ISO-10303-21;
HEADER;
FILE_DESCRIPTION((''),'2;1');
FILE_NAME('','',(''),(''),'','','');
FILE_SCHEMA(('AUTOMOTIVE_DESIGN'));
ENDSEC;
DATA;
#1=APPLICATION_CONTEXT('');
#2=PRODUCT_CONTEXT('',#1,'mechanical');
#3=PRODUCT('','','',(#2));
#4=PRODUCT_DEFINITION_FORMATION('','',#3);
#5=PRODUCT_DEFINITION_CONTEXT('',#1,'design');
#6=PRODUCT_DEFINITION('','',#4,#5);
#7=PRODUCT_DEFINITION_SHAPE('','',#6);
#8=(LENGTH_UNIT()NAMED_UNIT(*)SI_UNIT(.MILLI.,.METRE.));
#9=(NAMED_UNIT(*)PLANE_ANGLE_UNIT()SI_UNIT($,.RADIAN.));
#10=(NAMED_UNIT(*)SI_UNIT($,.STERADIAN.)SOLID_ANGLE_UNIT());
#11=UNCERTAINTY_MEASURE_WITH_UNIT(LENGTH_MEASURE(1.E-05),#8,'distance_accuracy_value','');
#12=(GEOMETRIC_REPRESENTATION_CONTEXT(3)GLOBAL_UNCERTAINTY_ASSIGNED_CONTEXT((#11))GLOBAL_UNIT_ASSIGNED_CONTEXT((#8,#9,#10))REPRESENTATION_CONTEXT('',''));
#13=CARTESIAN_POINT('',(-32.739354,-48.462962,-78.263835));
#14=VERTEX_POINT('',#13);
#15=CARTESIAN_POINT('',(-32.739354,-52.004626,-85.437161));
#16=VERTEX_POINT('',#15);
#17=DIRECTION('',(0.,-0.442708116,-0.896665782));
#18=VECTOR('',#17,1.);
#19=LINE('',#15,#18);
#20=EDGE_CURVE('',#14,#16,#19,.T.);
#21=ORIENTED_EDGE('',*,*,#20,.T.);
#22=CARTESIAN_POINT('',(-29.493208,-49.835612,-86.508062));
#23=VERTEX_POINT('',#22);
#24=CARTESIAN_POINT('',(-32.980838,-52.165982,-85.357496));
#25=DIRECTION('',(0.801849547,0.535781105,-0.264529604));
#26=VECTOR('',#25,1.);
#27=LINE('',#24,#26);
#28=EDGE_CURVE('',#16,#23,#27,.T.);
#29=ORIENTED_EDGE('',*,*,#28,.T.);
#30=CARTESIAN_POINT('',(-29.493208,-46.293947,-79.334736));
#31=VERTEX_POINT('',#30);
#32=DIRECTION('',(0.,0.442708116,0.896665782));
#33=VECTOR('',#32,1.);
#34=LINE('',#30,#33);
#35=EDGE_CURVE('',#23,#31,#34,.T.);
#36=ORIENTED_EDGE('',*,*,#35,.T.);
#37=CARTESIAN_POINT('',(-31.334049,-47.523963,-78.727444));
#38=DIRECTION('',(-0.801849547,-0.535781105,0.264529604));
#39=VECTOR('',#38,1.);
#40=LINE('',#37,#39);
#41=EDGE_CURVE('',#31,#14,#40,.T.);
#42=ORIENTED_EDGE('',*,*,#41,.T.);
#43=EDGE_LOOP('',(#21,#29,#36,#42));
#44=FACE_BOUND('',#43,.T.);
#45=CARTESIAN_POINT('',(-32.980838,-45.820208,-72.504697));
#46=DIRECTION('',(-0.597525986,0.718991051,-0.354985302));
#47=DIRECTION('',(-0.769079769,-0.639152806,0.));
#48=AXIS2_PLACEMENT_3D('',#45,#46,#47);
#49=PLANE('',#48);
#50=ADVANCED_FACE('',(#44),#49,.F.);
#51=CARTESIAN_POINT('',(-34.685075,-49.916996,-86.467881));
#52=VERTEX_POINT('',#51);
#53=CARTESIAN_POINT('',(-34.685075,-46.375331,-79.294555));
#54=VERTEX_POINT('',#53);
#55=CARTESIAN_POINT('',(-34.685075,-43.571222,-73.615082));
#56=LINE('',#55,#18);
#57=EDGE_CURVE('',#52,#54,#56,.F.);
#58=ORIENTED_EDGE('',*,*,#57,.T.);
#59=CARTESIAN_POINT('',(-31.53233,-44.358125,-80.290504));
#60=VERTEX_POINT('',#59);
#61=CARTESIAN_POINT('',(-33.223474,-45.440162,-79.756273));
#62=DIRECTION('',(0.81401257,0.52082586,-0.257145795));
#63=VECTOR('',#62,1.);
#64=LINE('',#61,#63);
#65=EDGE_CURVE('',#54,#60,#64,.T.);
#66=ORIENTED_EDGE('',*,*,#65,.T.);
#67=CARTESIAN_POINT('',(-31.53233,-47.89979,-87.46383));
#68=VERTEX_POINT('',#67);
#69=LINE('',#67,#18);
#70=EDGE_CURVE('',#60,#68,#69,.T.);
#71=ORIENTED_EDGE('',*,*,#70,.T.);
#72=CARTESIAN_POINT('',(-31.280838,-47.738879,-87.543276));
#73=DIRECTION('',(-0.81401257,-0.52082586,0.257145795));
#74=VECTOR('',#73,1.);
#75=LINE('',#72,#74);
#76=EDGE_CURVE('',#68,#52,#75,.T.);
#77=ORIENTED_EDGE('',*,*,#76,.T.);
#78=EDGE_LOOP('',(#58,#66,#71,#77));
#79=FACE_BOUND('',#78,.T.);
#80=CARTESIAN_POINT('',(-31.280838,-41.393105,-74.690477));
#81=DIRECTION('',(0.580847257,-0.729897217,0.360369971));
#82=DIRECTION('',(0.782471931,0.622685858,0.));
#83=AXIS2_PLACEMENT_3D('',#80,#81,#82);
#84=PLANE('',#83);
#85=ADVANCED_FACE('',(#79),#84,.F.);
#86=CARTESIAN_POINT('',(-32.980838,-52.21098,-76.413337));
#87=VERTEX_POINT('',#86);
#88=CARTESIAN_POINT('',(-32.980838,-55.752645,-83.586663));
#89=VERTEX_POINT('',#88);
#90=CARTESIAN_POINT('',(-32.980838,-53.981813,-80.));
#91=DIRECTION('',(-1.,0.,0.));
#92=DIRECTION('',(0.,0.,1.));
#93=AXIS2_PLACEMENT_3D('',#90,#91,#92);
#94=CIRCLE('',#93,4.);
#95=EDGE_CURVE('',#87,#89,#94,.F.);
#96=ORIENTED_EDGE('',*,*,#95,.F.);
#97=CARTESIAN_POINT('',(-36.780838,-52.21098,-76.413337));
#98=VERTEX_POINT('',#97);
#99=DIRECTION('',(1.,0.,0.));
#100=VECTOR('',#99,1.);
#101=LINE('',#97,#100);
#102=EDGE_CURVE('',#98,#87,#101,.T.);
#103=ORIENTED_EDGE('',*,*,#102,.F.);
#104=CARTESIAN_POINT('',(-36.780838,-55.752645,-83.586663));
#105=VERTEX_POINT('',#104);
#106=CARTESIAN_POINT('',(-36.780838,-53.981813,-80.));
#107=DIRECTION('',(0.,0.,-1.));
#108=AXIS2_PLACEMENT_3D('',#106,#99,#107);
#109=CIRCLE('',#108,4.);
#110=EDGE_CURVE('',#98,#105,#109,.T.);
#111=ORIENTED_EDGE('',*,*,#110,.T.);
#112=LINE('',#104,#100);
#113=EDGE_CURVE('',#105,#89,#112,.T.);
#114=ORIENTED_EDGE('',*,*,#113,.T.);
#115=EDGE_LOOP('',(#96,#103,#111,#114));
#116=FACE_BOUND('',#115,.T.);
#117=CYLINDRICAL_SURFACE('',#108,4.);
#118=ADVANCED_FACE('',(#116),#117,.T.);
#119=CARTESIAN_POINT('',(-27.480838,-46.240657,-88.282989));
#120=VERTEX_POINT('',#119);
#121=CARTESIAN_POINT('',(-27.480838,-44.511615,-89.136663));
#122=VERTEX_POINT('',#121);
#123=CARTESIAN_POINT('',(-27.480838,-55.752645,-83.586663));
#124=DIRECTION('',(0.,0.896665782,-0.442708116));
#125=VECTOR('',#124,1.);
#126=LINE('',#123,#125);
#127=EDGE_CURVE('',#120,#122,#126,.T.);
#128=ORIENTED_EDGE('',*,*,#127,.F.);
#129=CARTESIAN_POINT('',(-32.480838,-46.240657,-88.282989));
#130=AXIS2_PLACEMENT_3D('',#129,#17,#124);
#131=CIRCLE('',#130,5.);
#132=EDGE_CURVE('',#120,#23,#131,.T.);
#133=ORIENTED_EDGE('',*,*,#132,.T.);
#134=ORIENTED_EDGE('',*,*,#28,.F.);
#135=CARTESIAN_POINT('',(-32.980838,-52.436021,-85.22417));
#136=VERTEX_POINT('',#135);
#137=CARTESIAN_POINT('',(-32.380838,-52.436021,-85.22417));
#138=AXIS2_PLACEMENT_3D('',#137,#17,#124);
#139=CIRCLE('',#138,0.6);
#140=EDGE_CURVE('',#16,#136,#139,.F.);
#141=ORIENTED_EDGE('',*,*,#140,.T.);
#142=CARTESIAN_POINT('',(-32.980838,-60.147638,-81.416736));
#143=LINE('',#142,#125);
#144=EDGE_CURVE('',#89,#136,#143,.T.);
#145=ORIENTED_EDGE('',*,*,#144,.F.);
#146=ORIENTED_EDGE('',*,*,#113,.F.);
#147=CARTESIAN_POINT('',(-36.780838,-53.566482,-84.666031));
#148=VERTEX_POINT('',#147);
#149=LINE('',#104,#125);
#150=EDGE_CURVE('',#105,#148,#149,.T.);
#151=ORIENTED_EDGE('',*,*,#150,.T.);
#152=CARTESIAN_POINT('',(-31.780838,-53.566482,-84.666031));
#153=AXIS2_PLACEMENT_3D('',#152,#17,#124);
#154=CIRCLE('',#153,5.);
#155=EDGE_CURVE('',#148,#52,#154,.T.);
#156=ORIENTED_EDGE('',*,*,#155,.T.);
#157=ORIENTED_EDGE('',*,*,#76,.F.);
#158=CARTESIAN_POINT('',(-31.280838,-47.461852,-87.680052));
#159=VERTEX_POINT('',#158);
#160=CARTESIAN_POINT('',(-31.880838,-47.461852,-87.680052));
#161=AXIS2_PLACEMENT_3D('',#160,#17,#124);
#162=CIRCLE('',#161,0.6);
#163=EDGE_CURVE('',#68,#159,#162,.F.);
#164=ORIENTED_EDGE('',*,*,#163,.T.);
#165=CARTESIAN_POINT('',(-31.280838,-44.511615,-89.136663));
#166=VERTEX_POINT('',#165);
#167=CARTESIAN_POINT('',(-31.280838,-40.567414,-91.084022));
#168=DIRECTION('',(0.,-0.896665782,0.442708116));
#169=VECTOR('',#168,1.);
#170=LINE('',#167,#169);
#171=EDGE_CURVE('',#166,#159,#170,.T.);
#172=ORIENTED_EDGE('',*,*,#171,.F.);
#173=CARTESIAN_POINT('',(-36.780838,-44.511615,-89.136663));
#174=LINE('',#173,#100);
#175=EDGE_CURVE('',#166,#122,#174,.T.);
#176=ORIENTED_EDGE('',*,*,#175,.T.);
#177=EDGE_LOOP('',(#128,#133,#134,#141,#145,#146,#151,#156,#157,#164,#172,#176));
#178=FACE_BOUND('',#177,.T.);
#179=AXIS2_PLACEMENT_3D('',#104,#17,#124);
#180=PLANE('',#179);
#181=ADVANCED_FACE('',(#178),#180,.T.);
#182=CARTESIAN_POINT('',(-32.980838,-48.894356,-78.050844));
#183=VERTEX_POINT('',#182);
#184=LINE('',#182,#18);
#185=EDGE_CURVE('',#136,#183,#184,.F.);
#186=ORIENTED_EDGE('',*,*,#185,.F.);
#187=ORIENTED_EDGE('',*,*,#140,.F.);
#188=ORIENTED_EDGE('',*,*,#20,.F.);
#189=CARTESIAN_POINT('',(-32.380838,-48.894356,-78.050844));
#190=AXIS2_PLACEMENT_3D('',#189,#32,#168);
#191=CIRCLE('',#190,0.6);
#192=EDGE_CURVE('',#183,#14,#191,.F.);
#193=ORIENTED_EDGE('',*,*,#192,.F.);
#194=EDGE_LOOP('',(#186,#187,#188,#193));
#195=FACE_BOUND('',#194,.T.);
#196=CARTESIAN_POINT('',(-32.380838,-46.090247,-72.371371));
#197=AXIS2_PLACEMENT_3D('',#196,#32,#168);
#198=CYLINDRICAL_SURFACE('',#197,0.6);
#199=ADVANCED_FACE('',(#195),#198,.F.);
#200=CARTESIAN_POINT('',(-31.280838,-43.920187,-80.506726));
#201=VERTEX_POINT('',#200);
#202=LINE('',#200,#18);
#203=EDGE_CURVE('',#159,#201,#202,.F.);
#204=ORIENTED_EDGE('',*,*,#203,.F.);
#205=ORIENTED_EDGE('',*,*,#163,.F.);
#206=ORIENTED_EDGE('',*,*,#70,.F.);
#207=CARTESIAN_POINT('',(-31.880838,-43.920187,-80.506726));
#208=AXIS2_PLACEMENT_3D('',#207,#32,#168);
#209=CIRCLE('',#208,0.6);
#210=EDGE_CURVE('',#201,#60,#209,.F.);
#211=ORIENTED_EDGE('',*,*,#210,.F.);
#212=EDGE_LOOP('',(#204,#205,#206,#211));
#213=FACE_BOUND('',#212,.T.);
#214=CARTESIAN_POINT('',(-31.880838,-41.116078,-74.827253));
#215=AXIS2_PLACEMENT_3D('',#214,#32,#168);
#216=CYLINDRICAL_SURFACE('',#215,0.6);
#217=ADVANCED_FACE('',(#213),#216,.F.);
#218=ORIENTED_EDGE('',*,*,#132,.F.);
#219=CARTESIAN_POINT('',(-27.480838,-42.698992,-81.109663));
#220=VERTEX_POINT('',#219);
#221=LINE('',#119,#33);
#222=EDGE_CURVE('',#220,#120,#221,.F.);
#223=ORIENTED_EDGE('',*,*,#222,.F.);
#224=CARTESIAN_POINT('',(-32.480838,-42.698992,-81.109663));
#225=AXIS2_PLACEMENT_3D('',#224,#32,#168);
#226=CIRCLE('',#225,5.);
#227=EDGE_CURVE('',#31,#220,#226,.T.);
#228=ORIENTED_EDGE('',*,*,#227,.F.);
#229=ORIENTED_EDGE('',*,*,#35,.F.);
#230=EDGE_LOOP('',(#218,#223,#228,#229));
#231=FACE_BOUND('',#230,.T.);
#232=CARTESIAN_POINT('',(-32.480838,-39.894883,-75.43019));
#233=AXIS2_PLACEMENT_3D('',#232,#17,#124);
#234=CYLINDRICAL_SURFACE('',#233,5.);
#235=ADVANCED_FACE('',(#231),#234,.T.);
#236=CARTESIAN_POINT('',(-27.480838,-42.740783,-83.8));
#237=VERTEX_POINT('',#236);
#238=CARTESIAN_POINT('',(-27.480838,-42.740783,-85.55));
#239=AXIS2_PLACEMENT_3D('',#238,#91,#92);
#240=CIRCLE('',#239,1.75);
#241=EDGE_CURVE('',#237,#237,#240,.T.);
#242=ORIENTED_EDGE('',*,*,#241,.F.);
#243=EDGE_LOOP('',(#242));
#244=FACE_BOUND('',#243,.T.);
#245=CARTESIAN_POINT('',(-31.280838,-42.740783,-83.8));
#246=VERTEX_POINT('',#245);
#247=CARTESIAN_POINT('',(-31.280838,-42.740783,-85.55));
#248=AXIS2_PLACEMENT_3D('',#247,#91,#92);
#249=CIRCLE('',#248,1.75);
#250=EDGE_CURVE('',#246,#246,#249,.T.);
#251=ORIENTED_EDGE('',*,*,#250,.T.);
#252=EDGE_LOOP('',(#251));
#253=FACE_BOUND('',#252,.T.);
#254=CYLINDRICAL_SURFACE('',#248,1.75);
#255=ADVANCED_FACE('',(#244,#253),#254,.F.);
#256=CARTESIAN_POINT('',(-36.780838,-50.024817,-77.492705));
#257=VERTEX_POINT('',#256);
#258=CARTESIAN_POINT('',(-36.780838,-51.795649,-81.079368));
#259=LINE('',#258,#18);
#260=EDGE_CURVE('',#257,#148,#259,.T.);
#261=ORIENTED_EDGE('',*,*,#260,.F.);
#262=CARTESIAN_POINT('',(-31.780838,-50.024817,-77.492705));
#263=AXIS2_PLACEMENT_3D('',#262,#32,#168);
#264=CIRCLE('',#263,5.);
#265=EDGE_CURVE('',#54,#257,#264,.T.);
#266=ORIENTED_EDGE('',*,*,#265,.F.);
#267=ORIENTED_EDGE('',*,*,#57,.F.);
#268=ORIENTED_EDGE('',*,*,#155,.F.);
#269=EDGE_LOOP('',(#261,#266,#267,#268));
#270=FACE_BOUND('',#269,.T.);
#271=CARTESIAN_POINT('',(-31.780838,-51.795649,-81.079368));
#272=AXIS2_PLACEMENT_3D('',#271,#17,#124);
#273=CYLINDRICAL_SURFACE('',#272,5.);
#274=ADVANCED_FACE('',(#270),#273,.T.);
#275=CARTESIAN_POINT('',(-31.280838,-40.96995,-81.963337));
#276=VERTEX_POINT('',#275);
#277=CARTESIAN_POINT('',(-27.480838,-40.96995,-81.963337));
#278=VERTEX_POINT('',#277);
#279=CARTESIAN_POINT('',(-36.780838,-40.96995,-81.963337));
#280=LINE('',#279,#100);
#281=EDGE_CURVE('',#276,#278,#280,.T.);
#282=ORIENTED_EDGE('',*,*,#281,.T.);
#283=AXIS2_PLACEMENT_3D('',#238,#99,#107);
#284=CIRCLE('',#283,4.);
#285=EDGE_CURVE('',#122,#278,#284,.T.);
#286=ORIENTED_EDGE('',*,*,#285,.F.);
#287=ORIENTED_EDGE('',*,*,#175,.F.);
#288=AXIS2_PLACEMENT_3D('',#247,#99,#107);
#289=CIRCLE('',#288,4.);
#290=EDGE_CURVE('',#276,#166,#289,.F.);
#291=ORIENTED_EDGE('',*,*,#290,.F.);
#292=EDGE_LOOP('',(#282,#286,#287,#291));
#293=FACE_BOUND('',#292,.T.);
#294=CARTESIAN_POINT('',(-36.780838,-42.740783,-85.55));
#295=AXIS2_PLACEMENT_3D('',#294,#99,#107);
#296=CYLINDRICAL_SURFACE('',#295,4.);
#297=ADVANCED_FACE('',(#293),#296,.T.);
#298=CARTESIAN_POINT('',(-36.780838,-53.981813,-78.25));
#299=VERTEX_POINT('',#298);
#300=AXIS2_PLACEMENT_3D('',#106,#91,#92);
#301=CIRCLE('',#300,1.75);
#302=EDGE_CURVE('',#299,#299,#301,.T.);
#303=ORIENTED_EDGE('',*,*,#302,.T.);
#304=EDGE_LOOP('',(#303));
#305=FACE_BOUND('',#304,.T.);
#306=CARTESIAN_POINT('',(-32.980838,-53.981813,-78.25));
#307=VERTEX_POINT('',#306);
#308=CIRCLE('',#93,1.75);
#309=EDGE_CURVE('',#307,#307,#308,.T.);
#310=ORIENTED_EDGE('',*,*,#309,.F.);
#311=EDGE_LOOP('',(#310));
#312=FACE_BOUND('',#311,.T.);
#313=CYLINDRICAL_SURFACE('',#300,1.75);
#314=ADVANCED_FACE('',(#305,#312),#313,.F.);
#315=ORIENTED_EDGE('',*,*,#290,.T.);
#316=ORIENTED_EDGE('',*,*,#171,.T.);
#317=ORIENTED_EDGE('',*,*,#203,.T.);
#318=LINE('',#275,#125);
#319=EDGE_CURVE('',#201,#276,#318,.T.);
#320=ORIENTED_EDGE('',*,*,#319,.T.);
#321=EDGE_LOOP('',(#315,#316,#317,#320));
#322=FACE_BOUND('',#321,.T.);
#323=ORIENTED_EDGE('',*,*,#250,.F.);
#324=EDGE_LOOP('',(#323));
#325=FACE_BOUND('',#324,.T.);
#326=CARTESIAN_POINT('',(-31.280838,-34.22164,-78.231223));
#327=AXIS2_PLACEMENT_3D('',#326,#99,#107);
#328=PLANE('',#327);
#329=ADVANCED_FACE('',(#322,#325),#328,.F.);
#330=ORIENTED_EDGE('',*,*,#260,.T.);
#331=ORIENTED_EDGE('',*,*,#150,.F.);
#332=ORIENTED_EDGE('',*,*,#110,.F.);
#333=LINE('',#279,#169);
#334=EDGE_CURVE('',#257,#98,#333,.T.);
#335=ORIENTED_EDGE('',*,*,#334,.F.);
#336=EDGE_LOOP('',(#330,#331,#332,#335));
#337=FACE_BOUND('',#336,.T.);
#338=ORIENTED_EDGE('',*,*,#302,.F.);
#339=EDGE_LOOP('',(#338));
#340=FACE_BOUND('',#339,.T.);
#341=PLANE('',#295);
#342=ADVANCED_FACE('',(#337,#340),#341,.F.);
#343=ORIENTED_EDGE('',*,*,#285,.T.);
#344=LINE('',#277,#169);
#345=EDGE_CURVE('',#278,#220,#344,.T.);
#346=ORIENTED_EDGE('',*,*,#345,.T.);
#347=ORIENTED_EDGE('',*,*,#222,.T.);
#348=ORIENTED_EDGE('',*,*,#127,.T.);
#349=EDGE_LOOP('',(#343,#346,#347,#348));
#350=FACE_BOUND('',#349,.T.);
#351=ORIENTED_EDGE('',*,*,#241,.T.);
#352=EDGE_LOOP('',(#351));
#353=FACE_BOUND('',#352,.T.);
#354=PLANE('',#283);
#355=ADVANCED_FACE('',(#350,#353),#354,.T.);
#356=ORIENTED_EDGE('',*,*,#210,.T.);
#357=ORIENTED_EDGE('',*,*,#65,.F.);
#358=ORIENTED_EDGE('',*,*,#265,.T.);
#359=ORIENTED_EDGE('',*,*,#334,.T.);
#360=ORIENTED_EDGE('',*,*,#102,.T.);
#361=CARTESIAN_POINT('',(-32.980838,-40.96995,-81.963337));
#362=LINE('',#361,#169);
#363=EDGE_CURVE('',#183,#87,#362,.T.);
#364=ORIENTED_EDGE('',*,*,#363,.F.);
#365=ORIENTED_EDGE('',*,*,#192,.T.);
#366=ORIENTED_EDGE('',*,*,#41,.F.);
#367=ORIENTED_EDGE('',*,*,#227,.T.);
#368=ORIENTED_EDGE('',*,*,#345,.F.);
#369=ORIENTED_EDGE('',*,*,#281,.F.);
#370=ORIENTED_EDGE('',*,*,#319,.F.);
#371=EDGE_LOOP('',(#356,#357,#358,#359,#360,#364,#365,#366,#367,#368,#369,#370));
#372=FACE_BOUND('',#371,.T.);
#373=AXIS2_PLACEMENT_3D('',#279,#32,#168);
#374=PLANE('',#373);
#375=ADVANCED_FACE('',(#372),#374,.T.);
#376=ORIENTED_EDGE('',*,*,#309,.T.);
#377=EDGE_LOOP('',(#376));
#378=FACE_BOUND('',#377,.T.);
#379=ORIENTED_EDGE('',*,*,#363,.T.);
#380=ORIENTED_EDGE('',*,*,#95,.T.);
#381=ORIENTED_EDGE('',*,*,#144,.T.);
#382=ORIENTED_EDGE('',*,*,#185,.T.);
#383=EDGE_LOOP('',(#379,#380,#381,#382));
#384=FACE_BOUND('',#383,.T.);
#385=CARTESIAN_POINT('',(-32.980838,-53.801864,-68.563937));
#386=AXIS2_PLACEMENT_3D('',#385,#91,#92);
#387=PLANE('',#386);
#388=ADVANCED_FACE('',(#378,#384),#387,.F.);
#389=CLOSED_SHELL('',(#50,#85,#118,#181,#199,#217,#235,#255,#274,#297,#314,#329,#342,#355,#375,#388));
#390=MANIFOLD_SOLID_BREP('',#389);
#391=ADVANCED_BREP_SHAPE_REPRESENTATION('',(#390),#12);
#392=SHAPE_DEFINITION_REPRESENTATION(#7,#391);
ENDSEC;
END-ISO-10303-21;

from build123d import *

# Parameters (mm, degrees)
BOSS_EXTRUDE1_DEPTH = 9.3
CUT_EXTRUDE1_DEPTH  = 42.511134509
CUT_EXTRUDE2_DEPTH  = 42.511134509
HOLE1_D             = 3.5
HOLE2_D             = 3.5
FILLET1_R           = 0.6
FILLET2_R           = 5


with BuildPart() as part:
    # Sketch1 → Boss-Extrude1 (new body)
    with BuildSketch(Plane(origin=(-27.480838388, 0, 0), x_dir=(0, 0, -1), z_dir=(1, 0, 0))):
        with BuildLine():
            Line((81.963336874, -40.96995038), (76.413336874, -52.210980091))
            ThreePointArc((76.413336874, -52.210980091), (78.229167535, -57.568475682), (83.586663126, -55.752645021))
            Line((83.586663126, -55.752645021), (89.136663126, -44.51161531))
            ThreePointArc((89.136663126, -44.51161531), (87.320832465, -39.154119719), (81.963336874, -40.96995038))
        make_face()
    extrude(amount=-BOSS_EXTRUDE1_DEPTH)

    # Sketch2 → Cut-Extrude1 (cut, through all)
    with BuildSketch(Plane(origin=(0, -44.107651135, -89.336111151), x_dir=(-1, 0, 0), z_dir=(0, -0.4427081162196108, -0.8966657815670697))):
        Polygon((31.280838388, 3.94822391), (31.280838388, -4.049700743), (36.780838388, -7.974283766), (36.780838388, 3.94822391), align=None)
    extrude(amount=-CUT_EXTRUDE1_DEPTH, mode=Mode.SUBTRACT)

    # Sketch3 → Cut-Extrude2 (cut, through all)
    with BuildSketch(Plane(origin=(0, -44.107651135, -89.336111151), x_dir=(-1, 0, 0), z_dir=(0, -0.4427081162196108, -0.8966657815670697))):
        Polygon((32.980838388, -17.88847919), (32.980838388, -8.986994848), (27.480838388, -4.88847919), (27.480838388, -17.88847919), align=None)
    extrude(amount=-CUT_EXTRUDE2_DEPTH, mode=Mode.SUBTRACT)

    # Hole1 (through all)
    with Locations(Plane.ZY.offset(36.780838388)):
        with Locations((-80, -53.981812556)):
            Hole(HOLE1_D / 2)

    # Hole2 (through all)
    with Locations(Plane.ZY.offset(31.280838388)):
        with Locations((-85.55, -42.740782845)):
            Hole(HOLE2_D / 2)

    # Fillet1
    fillet1_edges = [part.edges().sort_by_distance(p)[0] for p in [
        (-31.280838388, -45.968046752, -83.956612638),
        (-32.980838388, -50.395149429, -81.770832465),
    ]]
    fillet(fillet1_edges, radius=FILLET1_R)

    # Fillet2
    fillet2_edges = [part.edges().sort_by_distance(p)[0] for p in [
        (-36.780838388, -49.487086055, -82.21916788),
        (-27.480838388, -46.720150684, -83.585278611),
    ]]
    fillet(fillet2_edges, radius=FILLET2_R)


solid = part.part
